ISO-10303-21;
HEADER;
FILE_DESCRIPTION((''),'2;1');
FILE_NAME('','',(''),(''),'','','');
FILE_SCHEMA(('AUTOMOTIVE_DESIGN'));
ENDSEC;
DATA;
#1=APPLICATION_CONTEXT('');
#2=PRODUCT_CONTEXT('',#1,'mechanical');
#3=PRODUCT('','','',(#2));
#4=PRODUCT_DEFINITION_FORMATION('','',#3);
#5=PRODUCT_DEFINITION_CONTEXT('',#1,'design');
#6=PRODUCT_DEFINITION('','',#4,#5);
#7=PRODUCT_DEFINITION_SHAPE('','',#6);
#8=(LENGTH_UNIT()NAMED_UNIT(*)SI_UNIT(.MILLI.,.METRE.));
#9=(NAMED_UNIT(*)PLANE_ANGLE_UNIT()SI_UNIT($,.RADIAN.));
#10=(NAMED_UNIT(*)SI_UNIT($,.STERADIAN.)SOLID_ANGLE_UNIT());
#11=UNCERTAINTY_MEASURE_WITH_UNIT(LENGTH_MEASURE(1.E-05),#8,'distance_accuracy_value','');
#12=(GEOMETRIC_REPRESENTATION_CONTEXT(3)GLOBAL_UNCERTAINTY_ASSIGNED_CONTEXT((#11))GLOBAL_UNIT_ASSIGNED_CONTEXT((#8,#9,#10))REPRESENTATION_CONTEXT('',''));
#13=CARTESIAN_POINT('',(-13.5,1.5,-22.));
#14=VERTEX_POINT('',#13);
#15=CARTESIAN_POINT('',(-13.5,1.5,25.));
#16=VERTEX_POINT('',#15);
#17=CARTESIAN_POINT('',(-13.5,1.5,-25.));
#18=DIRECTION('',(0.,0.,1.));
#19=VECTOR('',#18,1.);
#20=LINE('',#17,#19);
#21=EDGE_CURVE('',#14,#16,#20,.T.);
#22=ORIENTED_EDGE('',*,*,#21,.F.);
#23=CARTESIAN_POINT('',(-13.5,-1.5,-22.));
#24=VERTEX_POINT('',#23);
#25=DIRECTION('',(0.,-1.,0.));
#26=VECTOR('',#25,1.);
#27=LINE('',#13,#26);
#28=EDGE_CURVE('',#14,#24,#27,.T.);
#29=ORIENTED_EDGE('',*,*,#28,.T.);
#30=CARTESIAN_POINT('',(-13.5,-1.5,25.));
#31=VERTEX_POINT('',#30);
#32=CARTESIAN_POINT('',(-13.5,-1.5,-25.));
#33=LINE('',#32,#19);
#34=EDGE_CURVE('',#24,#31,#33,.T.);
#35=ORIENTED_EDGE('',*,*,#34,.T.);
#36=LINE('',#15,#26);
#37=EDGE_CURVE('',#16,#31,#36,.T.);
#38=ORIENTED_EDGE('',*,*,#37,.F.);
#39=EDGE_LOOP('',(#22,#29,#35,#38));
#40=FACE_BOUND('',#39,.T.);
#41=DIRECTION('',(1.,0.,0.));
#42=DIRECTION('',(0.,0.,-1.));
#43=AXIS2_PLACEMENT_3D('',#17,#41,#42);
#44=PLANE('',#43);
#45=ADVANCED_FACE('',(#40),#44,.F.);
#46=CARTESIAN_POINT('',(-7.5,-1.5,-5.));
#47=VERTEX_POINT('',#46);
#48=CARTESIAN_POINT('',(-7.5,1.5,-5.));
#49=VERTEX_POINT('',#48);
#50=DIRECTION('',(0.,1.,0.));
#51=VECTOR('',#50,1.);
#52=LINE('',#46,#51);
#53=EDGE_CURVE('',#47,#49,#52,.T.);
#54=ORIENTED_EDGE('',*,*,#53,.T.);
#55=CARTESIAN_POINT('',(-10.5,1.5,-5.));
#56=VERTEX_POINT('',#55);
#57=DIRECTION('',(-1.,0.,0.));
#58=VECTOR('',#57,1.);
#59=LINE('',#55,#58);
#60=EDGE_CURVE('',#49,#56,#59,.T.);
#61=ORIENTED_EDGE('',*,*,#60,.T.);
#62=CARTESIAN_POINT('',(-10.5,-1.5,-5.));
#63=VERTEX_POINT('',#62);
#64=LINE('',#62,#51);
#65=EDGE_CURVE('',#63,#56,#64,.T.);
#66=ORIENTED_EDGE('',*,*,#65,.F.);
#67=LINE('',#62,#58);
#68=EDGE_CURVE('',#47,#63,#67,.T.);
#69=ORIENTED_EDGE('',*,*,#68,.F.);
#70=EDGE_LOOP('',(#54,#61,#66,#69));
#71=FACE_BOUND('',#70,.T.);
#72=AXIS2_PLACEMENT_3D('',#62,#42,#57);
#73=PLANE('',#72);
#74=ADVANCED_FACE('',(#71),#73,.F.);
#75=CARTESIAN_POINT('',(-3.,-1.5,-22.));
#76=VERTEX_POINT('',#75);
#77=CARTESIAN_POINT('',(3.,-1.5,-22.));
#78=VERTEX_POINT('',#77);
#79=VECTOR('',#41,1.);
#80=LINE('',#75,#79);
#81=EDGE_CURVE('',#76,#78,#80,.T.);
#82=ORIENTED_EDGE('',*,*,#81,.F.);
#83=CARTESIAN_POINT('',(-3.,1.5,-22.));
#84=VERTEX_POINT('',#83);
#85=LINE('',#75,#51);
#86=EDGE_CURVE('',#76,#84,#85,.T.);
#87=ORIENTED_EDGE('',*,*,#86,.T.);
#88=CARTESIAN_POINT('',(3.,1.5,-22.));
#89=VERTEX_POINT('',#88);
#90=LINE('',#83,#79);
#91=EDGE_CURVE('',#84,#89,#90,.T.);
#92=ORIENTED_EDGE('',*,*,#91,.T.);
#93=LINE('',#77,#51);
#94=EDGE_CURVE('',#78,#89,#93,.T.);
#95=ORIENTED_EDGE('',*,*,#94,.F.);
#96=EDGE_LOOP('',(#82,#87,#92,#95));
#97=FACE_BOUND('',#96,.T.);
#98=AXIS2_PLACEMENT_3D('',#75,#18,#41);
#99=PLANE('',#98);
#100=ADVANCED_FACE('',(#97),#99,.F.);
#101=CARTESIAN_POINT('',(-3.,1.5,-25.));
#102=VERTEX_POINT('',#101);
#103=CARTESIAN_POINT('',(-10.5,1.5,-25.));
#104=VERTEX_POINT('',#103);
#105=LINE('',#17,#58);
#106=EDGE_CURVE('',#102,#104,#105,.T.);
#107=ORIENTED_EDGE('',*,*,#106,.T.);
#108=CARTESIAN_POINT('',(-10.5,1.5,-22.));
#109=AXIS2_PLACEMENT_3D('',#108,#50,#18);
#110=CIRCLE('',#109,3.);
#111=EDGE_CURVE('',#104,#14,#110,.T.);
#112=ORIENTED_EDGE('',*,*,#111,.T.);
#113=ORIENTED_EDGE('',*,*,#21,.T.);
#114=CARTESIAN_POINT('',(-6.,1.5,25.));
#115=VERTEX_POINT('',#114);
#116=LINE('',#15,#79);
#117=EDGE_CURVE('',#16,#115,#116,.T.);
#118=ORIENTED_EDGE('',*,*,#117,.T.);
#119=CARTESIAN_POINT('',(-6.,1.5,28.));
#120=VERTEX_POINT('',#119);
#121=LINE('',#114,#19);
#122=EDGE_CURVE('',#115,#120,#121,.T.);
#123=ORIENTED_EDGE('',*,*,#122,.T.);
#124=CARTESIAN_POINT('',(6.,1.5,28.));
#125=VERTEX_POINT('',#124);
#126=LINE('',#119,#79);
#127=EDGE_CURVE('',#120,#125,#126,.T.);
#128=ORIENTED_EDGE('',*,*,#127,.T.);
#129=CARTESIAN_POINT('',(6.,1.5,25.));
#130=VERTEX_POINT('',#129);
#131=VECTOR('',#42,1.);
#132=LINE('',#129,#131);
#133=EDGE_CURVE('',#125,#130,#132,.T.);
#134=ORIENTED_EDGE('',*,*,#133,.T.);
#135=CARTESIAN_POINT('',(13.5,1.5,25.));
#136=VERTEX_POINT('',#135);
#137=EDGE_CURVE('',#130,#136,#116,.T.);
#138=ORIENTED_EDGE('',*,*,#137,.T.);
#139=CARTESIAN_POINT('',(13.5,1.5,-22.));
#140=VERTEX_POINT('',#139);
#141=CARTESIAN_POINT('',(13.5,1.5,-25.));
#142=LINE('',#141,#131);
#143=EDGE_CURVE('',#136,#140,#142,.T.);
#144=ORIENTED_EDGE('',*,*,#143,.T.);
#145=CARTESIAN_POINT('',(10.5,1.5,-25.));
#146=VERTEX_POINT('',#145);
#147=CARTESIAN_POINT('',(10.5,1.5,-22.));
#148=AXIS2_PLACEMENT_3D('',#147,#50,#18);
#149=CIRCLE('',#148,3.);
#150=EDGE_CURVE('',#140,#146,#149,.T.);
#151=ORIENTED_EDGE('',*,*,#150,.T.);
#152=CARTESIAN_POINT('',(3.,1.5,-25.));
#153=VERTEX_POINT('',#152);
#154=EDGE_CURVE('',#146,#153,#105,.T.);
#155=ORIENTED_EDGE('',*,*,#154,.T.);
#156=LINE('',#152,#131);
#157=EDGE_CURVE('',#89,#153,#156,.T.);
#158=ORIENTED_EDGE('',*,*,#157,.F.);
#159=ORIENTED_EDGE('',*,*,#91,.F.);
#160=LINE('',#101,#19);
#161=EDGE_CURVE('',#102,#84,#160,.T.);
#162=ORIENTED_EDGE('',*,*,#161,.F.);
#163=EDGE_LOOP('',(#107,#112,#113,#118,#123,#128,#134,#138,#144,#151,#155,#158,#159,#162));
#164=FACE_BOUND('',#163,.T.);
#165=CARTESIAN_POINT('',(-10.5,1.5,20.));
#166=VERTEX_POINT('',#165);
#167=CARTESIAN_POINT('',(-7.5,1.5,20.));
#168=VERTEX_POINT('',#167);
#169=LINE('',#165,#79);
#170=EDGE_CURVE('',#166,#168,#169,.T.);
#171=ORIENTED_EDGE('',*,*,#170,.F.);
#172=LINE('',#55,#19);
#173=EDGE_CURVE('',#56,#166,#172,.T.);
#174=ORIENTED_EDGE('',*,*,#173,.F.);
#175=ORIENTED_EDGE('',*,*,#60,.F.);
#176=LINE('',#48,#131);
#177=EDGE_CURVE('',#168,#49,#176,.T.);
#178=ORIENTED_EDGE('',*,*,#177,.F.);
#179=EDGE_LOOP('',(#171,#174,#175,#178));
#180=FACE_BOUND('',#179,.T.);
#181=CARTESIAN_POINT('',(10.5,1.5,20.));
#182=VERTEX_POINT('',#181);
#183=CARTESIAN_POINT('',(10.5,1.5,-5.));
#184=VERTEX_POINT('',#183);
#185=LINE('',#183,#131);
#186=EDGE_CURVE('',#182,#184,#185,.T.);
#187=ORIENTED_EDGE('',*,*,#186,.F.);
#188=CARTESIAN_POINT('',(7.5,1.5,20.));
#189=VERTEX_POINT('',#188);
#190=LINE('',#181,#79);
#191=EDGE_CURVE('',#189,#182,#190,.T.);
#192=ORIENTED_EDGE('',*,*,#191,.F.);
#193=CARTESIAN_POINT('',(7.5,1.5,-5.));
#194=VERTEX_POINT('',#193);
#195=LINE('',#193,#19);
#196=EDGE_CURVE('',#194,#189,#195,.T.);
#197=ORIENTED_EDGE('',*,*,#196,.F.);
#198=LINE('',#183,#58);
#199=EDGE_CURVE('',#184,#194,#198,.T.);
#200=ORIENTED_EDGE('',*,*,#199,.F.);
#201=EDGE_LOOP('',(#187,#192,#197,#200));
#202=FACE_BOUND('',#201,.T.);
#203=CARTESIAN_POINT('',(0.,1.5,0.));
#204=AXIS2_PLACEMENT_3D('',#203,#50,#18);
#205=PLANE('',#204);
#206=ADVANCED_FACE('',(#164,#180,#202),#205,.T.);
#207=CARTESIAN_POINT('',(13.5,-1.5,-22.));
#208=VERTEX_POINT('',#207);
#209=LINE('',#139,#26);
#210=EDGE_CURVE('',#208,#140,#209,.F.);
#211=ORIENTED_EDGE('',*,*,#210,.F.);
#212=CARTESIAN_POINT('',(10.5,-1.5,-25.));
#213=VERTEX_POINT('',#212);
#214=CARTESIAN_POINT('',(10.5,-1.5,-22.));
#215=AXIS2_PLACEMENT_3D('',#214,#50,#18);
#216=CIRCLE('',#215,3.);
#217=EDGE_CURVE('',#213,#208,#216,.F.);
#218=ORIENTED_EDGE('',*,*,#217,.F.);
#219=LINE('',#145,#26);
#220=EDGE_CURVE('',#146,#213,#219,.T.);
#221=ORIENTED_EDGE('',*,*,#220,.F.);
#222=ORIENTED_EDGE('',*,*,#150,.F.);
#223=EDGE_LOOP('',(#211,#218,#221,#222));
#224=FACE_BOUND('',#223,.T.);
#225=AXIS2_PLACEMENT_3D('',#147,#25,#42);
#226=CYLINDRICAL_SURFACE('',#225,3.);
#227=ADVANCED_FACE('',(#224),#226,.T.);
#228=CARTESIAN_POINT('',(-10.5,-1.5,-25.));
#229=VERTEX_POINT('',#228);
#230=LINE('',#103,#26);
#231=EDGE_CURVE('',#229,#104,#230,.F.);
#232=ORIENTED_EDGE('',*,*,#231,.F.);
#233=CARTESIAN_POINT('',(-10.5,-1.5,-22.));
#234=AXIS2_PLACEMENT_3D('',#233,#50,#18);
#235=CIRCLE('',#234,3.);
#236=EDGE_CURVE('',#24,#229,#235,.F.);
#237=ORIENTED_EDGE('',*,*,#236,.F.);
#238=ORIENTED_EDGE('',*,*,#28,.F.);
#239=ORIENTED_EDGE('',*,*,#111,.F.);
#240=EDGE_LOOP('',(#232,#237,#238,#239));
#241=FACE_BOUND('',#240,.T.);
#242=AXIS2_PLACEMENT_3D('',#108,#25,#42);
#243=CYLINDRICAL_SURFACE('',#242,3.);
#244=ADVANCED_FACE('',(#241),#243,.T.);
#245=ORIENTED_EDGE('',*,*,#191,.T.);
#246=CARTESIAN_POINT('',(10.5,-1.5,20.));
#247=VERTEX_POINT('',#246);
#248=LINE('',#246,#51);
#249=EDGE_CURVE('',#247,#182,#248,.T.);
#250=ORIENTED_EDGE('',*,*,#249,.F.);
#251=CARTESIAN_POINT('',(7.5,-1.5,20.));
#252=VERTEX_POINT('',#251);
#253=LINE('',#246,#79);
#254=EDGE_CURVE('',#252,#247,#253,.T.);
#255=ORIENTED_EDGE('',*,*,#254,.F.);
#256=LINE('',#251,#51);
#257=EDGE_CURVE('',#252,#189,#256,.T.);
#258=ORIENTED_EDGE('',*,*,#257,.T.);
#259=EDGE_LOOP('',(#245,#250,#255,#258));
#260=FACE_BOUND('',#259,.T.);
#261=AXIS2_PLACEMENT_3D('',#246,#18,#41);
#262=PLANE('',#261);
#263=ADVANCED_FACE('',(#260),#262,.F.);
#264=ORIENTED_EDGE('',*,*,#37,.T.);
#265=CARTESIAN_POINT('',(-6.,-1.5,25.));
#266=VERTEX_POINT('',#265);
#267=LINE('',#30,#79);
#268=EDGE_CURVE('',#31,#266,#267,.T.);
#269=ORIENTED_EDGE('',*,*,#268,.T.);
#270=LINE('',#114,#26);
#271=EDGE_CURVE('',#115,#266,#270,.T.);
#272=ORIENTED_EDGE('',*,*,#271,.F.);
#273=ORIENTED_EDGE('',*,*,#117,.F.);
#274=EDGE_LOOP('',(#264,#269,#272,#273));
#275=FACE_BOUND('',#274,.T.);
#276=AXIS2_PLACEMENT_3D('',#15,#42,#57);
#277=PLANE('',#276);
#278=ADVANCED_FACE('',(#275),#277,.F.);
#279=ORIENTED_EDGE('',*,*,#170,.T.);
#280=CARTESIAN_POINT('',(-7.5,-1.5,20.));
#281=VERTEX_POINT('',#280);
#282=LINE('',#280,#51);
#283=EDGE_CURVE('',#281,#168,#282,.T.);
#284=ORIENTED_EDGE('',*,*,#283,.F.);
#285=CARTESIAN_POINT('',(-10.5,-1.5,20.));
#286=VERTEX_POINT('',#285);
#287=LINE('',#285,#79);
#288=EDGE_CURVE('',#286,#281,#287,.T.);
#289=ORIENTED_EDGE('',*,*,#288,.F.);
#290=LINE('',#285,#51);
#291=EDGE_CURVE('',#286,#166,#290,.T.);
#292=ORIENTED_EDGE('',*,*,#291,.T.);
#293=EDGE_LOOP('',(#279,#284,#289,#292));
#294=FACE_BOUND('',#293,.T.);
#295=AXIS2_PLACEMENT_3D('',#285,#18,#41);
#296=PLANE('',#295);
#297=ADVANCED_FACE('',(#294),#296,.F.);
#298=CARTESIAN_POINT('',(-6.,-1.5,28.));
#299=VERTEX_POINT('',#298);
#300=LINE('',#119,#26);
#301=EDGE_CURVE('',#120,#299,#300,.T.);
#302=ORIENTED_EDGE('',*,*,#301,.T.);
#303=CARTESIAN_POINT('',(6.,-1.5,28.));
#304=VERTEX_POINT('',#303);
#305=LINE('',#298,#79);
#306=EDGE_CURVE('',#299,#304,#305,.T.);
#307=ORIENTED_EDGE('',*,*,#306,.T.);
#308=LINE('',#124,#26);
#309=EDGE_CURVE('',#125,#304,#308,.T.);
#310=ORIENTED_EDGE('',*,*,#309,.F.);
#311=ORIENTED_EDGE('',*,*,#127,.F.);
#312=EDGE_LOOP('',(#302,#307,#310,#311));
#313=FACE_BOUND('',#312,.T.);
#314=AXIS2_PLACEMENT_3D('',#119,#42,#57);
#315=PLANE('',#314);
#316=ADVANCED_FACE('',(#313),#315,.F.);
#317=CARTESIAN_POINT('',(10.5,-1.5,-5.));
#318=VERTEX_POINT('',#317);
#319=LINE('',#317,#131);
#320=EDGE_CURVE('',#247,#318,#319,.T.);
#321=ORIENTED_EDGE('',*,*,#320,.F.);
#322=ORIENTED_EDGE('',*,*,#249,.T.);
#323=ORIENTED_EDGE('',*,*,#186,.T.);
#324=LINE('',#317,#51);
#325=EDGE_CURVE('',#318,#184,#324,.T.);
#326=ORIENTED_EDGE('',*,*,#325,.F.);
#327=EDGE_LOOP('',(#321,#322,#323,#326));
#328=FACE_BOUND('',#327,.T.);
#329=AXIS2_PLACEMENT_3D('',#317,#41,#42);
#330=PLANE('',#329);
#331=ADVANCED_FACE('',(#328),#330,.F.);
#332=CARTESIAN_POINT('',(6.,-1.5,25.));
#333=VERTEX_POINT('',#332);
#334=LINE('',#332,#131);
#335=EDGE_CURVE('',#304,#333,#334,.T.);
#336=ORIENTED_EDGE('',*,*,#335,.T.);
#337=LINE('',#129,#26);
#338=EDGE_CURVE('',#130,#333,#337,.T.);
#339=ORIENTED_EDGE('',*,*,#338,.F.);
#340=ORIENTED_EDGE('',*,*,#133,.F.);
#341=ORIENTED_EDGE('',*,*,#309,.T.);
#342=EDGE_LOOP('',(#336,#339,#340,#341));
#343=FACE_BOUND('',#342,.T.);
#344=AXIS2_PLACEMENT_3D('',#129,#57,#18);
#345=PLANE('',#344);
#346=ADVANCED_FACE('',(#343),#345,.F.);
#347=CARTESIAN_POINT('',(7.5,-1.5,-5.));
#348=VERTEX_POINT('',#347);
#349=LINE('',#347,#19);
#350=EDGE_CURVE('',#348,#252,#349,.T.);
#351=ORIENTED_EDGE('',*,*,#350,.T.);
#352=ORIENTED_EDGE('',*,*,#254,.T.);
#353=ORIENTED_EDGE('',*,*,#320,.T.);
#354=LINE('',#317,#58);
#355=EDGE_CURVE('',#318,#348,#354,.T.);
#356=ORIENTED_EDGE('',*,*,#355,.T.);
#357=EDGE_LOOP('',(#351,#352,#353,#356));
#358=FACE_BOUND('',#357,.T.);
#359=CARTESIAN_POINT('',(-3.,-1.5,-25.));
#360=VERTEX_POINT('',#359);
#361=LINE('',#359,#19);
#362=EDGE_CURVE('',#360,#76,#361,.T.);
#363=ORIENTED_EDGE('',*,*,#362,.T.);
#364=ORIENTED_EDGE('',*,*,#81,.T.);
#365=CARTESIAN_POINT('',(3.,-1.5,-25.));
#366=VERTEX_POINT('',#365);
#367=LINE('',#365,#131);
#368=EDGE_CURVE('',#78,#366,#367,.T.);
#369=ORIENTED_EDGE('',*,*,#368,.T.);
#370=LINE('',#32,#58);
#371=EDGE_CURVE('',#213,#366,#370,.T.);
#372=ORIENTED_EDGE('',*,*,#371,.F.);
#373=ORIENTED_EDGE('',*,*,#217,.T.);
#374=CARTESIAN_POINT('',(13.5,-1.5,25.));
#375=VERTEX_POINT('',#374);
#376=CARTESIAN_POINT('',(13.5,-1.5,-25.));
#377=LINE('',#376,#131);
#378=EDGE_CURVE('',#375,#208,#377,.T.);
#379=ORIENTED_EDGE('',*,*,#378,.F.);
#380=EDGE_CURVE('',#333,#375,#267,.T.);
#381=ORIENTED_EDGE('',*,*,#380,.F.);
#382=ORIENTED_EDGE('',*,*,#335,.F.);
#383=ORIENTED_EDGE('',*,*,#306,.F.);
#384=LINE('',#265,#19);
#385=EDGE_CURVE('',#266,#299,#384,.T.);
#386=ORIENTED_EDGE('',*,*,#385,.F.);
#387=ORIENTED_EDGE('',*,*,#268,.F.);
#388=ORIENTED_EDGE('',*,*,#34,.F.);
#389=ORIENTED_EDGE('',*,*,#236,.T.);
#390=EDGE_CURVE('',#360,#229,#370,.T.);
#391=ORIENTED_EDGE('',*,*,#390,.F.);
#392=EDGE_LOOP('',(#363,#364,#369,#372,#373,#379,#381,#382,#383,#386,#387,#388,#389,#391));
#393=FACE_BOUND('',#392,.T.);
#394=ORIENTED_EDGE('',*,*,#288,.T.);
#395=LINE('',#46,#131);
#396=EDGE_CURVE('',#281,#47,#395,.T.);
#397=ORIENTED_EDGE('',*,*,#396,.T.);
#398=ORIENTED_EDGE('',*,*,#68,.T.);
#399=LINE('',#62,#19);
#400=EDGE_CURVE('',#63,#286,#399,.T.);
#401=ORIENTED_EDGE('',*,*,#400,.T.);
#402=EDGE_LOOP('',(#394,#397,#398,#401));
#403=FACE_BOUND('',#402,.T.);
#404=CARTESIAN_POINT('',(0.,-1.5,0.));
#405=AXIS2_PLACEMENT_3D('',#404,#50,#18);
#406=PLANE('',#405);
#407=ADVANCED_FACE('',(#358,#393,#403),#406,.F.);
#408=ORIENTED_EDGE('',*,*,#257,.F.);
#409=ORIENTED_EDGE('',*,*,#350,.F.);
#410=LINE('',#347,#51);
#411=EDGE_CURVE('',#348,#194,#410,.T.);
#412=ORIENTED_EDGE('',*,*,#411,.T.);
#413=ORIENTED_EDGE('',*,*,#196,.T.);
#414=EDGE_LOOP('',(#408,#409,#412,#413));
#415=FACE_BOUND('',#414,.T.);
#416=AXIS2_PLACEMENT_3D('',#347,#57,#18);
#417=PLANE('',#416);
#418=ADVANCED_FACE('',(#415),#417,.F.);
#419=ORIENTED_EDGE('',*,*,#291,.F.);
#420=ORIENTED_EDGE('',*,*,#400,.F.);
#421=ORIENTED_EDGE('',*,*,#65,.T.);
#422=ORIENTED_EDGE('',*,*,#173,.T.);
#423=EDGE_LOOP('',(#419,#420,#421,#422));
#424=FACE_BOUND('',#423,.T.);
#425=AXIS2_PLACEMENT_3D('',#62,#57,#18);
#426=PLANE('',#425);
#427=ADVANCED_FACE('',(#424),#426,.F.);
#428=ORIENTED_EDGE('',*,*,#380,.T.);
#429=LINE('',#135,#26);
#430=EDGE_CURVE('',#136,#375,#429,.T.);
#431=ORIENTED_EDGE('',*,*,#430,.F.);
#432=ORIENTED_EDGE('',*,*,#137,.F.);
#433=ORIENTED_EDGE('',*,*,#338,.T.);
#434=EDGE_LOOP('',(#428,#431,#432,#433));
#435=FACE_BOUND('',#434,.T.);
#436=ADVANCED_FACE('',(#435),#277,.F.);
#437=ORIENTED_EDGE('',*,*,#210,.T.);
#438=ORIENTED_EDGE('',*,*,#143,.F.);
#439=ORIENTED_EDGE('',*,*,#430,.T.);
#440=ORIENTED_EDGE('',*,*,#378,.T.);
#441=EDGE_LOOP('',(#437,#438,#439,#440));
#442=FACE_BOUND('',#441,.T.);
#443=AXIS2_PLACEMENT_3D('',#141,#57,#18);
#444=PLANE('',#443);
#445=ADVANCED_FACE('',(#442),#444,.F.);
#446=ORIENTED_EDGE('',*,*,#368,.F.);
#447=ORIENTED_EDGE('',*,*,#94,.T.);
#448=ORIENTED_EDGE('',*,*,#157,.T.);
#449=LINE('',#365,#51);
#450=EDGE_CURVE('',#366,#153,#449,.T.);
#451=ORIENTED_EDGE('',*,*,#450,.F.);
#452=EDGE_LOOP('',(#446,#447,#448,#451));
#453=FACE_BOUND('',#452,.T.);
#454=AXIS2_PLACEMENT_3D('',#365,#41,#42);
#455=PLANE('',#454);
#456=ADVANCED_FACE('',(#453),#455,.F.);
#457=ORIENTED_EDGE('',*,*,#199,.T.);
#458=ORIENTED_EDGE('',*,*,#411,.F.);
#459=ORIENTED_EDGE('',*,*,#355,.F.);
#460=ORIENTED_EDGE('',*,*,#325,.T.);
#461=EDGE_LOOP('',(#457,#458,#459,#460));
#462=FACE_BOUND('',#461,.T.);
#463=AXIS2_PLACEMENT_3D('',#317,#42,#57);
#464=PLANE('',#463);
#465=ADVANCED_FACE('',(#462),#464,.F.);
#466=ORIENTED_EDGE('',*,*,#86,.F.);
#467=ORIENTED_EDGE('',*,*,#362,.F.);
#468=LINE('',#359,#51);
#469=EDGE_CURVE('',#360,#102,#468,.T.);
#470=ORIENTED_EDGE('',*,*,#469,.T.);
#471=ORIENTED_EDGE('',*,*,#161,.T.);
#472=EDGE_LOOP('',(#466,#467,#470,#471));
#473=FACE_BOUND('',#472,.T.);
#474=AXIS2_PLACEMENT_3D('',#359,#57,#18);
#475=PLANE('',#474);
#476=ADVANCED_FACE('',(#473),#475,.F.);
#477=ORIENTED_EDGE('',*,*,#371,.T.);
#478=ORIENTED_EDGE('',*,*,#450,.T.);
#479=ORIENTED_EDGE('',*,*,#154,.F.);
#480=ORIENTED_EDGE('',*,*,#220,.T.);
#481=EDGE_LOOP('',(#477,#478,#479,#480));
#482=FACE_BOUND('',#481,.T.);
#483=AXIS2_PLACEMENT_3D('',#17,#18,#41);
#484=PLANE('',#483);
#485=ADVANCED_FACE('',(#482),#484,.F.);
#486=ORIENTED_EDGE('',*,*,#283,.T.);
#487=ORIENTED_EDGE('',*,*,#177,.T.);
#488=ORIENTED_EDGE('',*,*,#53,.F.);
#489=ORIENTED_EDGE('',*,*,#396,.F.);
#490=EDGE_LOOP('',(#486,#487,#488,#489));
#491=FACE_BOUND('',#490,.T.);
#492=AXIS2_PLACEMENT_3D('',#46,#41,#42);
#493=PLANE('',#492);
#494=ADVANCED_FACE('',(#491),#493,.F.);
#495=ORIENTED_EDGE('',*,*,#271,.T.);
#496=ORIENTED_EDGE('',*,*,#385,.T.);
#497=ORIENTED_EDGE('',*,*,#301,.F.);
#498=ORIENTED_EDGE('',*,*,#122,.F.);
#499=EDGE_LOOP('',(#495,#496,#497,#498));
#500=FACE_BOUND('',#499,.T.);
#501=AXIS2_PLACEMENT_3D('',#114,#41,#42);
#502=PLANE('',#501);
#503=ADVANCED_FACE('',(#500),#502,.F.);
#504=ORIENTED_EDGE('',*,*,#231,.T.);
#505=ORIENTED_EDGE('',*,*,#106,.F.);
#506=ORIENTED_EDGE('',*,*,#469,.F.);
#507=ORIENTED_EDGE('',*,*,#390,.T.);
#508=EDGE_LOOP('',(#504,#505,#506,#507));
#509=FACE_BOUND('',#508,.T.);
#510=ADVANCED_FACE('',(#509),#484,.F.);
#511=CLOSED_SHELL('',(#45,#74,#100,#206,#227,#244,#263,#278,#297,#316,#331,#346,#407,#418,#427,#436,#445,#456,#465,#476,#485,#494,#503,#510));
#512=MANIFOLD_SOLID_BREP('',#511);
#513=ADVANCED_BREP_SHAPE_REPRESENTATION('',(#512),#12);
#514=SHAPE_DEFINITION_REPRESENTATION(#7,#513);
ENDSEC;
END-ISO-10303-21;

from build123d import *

# Parameters (mm, degrees)
SKETCH1_W               = 27
SKETCH1_H               = 50
BOSS_EXTRUDE1_DEPTH     = 1.5
SKETCH2_W               = 12
SKETCH2_H               = 3
BOSS_EXTRUDE2_DEPTH     = 1.5
SKETCH4_W               = 3
SKETCH4_H               = 25
CUT_EXTRUDE1_DEPTH      = 2.5
CUT_EXTRUDE1_DEPTH_BACK = 2.5
FILLET1_R               = 3
SKETCH5_W               = 6
SKETCH5_H               = 3
CUT_EXTRUDE2_DEPTH      = 2.5
CUT_EXTRUDE2_DEPTH_BACK = 2.5


with BuildPart() as part:
    # Sketch1 → Boss-Extrude1 (new body, symmetric)
    with BuildSketch(Plane(origin=(0, 0, 0), x_dir=(1, 0, 0), z_dir=(0, 1, 0))):
        Rectangle(SKETCH1_W, SKETCH1_H)
    extrude(amount=BOSS_EXTRUDE1_DEPTH, both=True)

    # Sketch2 → Boss-Extrude2 (add, symmetric)
    with BuildSketch(Plane(origin=(0, 0, 0), x_dir=(1, 0, 0), z_dir=(0, 1, 0))):
        with Locations((0, -26.5)):
            Rectangle(SKETCH2_W, SKETCH2_H)
    extrude(amount=BOSS_EXTRUDE2_DEPTH, both=True)

    # Sketch4 → Cut-Extrude1 (cut, two sides)
    with BuildSketch(Plane(origin=(0, 0, 0), x_dir=(1, 0, 0), z_dir=(0, 1, 0))) as cut_extrude1_sk:
        with Locations((-9, -7.5)):
            Rectangle(SKETCH4_W, SKETCH4_H)
        with Locations((9, -7.5)):
            Rectangle(SKETCH4_W, SKETCH4_H)
    extrude(amount=CUT_EXTRUDE1_DEPTH, mode=Mode.SUBTRACT)
    extrude(cut_extrude1_sk.sketch, amount=-CUT_EXTRUDE1_DEPTH_BACK, mode=Mode.SUBTRACT)

    # Fillet1
    fillet1_edges = [part.edges().sort_by_distance(p)[0] for p in [
        (-13.5, 0, -25),
        (13.5, 0, -25),
    ]]
    fillet(fillet1_edges, radius=FILLET1_R)

    # Sketch5 → Cut-Extrude2 (cut, two sides)
    with BuildSketch(Plane(origin=(0, 0, 0), x_dir=(1, 0, 0), z_dir=(0, 1, 0))) as cut_extrude2_sk:
        with Locations((0, 23.5)):
            Rectangle(SKETCH5_W, SKETCH5_H)
    extrude(amount=CUT_EXTRUDE2_DEPTH, mode=Mode.SUBTRACT)
    extrude(cut_extrude2_sk.sketch, amount=-CUT_EXTRUDE2_DEPTH_BACK, mode=Mode.SUBTRACT)


solid = part.part
